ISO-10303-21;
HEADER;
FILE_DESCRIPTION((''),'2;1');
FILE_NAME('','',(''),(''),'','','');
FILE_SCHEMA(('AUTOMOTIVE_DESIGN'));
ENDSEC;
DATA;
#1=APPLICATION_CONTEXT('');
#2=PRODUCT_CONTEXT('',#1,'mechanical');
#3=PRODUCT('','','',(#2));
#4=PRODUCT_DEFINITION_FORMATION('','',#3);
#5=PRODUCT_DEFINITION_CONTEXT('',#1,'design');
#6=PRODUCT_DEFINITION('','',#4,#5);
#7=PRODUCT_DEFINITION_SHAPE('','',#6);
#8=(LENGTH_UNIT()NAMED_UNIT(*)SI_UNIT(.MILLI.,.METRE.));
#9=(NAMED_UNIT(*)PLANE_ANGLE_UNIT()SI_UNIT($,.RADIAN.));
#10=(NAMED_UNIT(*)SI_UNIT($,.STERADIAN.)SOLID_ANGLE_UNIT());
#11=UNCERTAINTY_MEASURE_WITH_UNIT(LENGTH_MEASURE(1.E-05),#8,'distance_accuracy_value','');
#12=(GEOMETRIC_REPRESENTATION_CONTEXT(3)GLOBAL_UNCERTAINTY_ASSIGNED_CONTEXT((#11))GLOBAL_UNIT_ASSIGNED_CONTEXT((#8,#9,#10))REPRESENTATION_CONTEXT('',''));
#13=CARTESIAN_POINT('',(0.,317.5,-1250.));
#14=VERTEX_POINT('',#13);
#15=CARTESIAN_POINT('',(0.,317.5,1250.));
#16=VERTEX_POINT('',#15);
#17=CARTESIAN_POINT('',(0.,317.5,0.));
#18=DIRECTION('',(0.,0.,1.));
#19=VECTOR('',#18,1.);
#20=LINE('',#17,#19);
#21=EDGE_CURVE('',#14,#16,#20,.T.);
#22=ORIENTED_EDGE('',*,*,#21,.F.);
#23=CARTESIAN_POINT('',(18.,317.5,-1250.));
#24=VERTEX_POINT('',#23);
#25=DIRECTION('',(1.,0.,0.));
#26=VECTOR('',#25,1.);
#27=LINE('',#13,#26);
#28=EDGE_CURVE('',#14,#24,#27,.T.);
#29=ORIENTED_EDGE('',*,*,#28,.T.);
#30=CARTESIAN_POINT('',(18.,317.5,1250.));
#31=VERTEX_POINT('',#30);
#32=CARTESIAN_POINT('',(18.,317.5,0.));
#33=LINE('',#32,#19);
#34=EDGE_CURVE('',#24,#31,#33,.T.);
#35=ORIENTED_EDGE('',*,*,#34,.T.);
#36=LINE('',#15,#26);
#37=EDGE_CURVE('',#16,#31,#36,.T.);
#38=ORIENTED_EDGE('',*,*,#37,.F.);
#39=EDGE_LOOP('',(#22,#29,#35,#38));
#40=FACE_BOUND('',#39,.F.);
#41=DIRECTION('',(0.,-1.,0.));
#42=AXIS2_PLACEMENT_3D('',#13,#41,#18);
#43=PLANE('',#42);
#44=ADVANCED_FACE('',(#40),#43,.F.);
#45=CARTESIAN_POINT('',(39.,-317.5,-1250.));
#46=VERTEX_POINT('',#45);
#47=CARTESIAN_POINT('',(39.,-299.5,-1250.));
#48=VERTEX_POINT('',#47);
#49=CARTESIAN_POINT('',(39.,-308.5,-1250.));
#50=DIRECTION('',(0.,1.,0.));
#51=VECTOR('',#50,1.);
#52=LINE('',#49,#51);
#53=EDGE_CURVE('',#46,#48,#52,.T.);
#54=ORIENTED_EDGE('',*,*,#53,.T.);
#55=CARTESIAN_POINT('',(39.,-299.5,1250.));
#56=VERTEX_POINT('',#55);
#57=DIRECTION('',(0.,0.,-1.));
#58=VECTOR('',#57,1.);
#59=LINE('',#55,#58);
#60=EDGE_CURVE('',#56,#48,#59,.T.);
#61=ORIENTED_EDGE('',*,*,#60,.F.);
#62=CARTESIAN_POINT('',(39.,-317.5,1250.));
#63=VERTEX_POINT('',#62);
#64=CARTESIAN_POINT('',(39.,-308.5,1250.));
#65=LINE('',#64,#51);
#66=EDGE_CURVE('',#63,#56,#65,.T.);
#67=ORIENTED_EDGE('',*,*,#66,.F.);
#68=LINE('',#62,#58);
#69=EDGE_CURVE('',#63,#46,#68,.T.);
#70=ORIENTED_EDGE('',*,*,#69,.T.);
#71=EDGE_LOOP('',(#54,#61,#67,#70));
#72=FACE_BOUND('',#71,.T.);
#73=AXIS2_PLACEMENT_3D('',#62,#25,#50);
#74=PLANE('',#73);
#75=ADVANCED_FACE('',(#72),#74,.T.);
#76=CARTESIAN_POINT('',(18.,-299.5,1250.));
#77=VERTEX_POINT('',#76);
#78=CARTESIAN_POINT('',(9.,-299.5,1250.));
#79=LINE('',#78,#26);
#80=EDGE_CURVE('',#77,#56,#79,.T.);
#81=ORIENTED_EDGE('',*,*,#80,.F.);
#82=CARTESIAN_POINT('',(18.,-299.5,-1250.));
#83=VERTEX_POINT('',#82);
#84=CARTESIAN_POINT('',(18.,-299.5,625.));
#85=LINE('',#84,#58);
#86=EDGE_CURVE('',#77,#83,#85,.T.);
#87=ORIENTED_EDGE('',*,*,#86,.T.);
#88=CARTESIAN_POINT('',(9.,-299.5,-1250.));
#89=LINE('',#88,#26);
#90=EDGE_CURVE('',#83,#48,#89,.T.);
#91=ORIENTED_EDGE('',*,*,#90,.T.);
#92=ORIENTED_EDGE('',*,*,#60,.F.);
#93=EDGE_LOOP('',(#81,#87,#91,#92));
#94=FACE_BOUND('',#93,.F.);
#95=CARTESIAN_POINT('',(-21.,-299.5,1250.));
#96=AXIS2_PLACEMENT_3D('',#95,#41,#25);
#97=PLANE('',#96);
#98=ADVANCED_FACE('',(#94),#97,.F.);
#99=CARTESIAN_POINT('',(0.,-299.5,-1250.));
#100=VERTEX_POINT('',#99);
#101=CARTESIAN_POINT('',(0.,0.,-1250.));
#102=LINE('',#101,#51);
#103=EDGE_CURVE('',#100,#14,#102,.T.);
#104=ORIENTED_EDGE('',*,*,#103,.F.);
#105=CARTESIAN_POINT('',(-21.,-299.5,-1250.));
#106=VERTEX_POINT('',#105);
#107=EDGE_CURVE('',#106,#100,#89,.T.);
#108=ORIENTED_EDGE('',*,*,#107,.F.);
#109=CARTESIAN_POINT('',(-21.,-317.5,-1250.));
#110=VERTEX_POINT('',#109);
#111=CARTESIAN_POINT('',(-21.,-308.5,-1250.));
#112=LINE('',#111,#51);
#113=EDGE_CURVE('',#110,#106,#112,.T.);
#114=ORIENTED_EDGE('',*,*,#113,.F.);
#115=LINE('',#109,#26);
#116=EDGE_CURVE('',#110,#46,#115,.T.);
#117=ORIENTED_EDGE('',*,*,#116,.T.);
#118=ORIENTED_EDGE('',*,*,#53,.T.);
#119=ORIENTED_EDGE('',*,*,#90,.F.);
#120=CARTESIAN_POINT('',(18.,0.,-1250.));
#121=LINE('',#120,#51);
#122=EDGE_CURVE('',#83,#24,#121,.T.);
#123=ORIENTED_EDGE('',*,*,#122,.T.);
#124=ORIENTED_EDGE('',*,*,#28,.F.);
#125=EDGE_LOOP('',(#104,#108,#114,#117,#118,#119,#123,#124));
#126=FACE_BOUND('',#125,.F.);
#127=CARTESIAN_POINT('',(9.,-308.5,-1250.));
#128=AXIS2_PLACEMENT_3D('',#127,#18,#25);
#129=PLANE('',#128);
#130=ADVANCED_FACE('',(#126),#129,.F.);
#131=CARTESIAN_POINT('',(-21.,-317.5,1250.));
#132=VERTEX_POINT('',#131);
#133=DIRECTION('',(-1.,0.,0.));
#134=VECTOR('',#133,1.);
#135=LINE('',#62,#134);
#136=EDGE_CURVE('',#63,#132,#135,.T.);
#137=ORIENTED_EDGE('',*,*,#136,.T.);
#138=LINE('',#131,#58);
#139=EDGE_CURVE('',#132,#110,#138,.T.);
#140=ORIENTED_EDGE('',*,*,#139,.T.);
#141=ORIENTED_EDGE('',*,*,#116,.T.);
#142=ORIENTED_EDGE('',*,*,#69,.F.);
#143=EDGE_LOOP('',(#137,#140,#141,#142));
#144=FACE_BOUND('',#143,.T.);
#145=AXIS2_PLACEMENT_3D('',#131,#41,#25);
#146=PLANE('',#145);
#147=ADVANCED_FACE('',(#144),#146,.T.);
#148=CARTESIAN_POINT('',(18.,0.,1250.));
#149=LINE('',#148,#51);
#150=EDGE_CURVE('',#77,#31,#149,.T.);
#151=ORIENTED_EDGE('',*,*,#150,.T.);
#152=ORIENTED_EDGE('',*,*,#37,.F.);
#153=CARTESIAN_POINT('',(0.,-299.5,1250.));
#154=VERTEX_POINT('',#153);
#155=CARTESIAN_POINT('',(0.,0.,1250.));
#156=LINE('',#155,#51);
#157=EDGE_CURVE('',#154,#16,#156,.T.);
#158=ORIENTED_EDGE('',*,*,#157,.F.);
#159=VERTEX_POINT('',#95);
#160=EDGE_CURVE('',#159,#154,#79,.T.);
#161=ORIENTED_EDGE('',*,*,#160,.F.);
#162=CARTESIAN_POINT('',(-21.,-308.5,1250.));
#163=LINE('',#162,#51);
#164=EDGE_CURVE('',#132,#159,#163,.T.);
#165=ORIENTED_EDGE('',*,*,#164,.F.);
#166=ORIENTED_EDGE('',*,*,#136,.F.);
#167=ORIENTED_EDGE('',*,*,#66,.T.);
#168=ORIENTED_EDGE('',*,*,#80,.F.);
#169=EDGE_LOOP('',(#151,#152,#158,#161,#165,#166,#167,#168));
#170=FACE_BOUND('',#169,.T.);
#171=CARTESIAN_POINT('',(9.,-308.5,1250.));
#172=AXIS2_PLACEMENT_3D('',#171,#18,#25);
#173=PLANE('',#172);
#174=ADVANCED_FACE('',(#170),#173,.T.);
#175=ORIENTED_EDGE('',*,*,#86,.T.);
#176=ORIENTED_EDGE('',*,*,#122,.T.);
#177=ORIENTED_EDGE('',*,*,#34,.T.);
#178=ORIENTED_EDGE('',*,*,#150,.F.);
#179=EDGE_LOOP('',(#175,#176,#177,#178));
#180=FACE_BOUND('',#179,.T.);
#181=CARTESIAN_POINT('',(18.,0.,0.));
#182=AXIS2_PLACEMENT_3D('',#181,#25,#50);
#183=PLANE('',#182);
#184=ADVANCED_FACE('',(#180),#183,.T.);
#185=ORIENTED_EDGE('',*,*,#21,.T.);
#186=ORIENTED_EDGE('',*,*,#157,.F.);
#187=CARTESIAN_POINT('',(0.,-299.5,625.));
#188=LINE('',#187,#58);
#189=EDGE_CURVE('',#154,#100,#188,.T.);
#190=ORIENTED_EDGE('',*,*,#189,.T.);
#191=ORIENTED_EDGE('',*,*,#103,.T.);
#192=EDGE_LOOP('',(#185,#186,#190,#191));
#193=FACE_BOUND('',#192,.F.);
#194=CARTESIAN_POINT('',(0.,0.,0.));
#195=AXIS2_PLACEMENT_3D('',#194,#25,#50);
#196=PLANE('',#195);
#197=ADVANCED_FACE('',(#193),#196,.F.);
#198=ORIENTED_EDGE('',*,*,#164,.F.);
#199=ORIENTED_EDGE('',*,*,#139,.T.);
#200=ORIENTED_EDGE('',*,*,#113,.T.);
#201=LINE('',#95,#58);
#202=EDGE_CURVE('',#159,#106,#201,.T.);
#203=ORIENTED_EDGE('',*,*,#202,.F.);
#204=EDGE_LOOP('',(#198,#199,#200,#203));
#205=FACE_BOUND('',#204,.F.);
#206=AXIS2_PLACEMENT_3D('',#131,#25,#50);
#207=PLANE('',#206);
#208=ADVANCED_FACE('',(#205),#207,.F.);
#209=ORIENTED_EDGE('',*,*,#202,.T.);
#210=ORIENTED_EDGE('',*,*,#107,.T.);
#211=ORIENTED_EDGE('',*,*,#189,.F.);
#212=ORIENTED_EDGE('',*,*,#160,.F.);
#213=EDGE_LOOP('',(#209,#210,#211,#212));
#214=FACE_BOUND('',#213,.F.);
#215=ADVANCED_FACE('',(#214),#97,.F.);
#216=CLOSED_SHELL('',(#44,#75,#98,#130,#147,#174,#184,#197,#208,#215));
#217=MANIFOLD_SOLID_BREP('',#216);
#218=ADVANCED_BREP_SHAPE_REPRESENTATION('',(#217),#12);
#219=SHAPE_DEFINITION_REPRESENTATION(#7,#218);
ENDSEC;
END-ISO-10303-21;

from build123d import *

# Parameters (mm, degrees)
F0_W     = 635
F0_H     = 2500
F1_DEPTH = 18
F2_W     = 60
F2_H     = 18
F3_DEPTH = 2500


with BuildPart() as f1:
    # F0 (on Right) → F1 (new body)
    with BuildSketch(Plane.YZ):
        Rectangle(F0_W, F0_H)
    extrude(amount=F1_DEPTH)

    # F2 (on face) → F3 (join)
    with BuildSketch(Plane.XY.offset(1250)):
        with Locations((9, -308.5)):
            Rectangle(F2_W, F2_H)
    extrude(amount=-F3_DEPTH)


solid = f1.part
